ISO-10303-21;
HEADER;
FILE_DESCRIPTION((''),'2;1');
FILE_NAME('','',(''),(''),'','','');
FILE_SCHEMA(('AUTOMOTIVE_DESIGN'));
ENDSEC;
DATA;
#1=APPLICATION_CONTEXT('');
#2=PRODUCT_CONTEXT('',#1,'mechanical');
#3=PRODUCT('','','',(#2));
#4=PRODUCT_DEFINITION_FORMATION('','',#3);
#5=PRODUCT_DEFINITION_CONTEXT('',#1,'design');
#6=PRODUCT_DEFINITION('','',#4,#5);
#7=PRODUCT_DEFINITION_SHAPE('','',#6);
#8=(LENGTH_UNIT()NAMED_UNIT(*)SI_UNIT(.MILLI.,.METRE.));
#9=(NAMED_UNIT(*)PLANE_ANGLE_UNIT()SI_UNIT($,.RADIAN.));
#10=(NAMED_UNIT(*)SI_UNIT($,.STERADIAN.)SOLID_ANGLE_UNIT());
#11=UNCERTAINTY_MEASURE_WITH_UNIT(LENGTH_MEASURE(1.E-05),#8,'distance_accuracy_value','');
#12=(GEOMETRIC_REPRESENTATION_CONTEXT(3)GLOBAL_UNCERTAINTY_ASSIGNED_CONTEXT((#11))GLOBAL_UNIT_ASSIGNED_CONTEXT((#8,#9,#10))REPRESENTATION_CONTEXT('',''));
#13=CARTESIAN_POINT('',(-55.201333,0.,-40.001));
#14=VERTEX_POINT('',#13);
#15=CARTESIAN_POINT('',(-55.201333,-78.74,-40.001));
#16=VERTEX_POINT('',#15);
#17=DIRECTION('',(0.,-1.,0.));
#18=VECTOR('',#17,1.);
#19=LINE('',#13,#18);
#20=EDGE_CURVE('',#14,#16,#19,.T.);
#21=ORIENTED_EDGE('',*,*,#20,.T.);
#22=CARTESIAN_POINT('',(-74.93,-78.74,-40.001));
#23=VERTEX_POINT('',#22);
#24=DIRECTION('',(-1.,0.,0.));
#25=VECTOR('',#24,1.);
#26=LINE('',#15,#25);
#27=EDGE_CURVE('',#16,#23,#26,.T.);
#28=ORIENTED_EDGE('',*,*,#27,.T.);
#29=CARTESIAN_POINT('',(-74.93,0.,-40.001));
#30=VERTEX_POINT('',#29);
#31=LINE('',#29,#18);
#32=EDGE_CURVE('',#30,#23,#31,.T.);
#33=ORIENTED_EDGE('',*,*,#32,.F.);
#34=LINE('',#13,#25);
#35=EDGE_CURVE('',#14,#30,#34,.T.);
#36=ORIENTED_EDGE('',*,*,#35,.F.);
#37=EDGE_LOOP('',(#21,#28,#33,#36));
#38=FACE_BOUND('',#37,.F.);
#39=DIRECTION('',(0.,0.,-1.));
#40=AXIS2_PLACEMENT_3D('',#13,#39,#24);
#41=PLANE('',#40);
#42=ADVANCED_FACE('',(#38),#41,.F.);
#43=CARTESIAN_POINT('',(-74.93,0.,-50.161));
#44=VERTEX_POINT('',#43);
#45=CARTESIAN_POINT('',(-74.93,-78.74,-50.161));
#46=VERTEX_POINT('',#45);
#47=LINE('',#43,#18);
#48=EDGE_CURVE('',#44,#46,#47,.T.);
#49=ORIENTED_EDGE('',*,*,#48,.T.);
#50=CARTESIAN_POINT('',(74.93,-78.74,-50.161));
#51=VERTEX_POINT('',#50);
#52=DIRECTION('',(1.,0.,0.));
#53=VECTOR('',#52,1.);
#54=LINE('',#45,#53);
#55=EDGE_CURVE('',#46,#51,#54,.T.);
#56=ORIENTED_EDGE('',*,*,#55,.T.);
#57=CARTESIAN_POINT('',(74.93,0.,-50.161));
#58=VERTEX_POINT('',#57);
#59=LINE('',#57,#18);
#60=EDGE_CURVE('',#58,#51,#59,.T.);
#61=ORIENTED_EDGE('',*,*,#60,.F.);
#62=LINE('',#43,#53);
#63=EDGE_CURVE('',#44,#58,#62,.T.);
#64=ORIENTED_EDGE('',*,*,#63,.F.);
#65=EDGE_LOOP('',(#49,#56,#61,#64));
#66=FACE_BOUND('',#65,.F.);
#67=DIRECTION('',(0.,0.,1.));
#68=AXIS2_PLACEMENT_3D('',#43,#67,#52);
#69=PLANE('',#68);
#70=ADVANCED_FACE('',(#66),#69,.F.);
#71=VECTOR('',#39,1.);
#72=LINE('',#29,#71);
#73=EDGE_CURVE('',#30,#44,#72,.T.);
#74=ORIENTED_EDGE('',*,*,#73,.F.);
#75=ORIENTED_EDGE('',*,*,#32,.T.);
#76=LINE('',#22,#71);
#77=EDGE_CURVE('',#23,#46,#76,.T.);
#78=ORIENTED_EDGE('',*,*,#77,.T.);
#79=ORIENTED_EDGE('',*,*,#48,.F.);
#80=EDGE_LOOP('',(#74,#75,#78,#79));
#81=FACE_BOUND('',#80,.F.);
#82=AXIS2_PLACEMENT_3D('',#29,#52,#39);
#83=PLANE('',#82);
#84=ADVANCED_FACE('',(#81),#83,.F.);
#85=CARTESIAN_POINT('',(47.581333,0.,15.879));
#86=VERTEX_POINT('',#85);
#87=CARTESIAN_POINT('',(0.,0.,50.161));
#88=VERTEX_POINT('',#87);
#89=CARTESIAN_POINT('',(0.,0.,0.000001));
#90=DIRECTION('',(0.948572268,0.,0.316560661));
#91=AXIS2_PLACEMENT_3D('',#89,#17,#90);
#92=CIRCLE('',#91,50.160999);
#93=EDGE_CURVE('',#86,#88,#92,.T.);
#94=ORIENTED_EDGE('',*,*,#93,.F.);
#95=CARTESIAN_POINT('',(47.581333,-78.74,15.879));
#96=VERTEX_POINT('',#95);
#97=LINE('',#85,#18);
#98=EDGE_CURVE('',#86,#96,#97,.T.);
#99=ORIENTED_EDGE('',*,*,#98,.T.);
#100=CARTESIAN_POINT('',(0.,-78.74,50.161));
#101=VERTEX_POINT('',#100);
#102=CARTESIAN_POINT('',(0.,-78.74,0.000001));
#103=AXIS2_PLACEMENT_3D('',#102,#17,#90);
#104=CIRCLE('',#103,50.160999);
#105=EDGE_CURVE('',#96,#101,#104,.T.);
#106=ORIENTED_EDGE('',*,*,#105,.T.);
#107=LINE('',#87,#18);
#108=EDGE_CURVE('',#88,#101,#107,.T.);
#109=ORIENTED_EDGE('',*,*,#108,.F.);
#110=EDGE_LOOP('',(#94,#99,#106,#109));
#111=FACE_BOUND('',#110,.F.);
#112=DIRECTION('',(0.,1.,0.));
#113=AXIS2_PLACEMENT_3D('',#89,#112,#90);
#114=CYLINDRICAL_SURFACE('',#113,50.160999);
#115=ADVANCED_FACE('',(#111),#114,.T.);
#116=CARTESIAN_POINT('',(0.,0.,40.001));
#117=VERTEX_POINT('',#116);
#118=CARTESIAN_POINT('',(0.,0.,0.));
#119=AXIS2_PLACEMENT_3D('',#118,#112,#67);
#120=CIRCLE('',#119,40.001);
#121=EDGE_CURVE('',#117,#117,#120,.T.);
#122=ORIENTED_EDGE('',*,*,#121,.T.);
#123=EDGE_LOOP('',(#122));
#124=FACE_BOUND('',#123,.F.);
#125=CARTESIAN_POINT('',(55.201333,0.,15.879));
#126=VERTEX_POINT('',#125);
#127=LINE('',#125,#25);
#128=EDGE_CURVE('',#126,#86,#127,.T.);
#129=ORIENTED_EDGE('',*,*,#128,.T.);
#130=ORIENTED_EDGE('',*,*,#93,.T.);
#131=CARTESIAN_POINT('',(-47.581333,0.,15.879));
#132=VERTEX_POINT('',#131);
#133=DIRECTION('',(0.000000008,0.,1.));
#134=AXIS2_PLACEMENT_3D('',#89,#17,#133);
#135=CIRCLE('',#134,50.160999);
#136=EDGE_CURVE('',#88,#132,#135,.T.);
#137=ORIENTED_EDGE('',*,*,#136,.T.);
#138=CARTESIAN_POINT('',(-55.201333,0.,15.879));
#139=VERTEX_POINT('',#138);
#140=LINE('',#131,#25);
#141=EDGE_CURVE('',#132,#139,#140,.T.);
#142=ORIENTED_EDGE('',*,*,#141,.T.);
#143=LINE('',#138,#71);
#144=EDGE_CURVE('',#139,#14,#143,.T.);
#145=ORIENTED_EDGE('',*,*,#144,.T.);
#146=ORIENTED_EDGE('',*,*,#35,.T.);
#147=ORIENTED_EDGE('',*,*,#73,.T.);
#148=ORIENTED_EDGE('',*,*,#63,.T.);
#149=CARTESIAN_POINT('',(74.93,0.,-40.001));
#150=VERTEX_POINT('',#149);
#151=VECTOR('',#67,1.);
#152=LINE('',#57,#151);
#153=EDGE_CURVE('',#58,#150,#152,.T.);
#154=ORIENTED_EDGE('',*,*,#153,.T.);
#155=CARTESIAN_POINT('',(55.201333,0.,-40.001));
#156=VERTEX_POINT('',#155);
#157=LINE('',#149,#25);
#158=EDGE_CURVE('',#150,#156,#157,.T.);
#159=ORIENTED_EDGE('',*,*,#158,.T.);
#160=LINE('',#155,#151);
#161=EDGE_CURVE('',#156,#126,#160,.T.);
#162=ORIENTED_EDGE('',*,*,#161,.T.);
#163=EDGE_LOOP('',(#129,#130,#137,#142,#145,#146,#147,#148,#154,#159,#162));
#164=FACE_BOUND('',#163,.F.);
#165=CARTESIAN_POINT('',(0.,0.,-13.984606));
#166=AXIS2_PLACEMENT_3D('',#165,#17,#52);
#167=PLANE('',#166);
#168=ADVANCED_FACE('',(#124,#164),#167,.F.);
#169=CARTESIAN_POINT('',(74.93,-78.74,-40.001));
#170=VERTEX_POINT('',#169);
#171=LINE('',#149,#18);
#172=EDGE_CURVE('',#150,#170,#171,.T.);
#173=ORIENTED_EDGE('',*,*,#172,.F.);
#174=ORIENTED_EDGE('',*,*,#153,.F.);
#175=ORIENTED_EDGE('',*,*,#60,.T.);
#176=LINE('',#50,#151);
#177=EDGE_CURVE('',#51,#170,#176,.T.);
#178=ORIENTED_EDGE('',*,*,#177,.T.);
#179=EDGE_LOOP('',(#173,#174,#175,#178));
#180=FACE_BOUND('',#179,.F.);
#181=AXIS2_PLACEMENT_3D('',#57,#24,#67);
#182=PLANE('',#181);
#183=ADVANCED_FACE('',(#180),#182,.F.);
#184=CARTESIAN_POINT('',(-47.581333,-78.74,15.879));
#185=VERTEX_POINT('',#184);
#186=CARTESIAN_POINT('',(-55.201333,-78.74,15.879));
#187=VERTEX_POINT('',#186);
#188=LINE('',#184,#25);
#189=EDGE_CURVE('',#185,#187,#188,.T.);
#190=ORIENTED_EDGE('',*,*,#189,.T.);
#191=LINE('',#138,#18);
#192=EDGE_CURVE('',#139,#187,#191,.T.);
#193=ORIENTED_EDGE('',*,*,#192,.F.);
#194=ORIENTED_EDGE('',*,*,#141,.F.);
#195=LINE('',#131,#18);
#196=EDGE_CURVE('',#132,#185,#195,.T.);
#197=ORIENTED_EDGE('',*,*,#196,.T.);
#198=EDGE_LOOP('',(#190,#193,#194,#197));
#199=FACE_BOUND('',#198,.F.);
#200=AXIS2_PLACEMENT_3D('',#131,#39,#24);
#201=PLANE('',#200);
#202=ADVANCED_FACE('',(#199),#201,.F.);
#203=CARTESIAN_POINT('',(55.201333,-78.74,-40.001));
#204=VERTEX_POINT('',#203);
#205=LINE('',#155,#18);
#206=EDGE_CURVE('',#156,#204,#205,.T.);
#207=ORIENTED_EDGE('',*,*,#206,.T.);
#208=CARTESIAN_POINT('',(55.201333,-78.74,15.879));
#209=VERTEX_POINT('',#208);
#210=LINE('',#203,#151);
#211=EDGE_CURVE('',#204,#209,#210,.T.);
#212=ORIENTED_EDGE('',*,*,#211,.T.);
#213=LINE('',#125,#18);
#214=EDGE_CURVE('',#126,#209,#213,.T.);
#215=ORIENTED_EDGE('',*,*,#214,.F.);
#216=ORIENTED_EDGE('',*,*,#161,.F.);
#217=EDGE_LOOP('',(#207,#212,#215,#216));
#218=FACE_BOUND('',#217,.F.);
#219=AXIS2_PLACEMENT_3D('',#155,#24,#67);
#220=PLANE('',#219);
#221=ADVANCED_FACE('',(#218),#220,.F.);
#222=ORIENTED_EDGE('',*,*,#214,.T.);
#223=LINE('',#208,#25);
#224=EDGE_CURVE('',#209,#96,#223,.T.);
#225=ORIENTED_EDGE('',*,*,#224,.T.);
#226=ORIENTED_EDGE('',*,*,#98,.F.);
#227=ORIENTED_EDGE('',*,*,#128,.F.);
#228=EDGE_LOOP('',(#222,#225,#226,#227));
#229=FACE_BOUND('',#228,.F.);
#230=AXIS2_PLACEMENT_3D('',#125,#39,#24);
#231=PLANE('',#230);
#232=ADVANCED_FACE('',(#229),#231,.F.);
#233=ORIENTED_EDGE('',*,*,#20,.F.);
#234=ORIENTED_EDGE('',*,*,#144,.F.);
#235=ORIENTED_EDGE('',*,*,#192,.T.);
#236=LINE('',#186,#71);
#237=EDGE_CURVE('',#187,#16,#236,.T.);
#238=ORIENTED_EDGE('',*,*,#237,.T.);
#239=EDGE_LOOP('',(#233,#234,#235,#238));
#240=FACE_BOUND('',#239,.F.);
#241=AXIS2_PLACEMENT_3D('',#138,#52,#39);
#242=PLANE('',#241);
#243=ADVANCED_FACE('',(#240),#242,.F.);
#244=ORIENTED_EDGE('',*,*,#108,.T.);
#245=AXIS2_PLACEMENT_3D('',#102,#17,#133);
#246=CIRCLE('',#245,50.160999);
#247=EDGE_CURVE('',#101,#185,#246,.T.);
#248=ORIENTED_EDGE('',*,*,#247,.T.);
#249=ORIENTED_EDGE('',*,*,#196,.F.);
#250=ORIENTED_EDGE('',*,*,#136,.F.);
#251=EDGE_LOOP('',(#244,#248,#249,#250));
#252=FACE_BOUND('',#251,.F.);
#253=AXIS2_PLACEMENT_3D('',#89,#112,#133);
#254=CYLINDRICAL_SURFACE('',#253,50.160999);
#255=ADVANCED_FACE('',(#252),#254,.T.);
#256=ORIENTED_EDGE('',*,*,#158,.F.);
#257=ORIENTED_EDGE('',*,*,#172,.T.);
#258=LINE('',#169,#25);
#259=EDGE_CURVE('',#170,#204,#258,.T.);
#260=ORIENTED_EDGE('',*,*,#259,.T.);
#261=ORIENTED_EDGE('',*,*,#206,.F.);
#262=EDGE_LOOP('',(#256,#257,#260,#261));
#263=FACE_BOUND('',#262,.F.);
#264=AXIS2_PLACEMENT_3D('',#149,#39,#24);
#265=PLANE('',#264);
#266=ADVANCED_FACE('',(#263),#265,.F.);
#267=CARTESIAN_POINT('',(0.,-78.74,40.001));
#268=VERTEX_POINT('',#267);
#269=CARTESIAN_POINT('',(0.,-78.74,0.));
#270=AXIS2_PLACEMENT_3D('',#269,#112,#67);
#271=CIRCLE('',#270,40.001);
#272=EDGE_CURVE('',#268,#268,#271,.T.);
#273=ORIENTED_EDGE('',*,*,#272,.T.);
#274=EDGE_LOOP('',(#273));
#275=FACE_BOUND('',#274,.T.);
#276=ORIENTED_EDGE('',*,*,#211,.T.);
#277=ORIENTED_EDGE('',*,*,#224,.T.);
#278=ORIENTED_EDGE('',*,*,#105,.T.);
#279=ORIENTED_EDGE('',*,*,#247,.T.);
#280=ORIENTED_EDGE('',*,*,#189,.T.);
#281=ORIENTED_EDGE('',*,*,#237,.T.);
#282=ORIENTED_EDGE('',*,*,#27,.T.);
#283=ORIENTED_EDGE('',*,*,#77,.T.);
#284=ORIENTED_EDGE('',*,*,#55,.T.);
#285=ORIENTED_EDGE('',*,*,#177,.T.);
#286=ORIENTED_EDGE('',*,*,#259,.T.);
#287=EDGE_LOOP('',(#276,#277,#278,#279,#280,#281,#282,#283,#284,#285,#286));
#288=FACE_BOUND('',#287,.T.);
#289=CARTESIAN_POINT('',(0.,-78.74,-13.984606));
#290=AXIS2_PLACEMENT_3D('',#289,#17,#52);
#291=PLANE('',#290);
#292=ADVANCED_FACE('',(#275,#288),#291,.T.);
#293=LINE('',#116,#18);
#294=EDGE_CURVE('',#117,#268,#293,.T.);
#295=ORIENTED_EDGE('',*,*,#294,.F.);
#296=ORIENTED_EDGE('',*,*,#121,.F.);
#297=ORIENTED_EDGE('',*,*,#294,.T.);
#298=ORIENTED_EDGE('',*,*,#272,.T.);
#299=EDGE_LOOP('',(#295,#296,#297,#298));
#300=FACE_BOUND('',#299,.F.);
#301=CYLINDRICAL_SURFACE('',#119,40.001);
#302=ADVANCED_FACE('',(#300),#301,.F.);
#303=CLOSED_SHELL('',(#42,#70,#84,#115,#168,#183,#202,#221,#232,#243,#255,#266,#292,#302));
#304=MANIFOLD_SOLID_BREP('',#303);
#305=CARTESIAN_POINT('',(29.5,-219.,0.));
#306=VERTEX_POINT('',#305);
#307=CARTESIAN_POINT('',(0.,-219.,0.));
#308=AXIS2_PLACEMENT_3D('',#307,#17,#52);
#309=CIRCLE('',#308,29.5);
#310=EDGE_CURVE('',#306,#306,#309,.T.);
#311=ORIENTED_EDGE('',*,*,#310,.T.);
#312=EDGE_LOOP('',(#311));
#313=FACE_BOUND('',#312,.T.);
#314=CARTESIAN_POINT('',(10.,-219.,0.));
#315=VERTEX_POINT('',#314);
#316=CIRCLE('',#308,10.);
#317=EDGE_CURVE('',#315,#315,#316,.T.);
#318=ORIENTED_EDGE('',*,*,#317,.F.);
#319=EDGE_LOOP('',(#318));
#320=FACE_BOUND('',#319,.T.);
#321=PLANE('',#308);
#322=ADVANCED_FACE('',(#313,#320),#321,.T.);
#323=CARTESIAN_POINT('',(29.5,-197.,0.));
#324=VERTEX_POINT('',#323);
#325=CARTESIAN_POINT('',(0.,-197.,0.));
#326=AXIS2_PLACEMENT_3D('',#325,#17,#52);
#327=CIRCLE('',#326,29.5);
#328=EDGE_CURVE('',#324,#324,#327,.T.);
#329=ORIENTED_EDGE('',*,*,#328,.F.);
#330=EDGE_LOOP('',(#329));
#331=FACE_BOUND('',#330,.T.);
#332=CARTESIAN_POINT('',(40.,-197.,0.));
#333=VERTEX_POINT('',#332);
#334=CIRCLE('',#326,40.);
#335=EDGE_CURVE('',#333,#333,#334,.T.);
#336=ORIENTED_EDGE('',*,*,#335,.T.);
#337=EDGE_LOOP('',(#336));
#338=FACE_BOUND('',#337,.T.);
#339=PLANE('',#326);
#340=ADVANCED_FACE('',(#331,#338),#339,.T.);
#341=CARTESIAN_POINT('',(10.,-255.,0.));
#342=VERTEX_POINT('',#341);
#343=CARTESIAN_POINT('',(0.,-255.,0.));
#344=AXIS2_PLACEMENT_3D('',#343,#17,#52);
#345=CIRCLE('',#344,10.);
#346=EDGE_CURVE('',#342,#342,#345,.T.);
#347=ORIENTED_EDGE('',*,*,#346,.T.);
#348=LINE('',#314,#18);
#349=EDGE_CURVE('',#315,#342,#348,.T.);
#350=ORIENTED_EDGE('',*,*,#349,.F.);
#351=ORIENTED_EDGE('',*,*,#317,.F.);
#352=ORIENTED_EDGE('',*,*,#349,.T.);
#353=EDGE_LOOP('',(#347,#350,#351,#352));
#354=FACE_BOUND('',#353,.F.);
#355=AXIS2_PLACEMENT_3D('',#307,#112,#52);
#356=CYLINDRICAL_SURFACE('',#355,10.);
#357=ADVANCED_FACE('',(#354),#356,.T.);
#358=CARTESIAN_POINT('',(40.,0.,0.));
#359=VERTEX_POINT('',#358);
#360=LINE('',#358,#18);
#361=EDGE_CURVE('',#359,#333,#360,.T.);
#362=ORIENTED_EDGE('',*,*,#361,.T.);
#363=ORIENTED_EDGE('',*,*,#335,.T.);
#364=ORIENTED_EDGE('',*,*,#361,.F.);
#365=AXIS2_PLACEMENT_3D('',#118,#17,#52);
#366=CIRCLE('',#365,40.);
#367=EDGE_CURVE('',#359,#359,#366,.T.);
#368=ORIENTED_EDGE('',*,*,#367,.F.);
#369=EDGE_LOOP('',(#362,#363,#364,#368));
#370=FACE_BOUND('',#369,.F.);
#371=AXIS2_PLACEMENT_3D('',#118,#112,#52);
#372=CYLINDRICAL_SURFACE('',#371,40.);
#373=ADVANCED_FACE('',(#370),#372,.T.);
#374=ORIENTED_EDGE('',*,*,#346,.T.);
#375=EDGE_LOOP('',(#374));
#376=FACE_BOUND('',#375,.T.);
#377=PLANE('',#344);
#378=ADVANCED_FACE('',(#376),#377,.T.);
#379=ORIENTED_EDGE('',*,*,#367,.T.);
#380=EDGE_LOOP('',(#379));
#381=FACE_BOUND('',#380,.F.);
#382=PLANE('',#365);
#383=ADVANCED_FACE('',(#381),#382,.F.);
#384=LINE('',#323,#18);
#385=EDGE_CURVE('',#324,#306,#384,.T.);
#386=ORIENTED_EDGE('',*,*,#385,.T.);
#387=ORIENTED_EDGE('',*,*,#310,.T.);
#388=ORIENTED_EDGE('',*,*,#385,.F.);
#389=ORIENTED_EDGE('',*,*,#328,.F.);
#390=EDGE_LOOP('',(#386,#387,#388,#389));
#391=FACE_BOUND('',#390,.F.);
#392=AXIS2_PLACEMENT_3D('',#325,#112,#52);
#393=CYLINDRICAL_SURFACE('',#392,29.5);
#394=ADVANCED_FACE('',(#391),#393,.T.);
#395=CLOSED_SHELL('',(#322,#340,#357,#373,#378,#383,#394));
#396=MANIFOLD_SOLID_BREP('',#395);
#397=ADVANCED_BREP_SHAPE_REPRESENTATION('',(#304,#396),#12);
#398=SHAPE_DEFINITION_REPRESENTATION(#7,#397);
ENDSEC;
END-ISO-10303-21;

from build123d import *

# Parameters (mm, degrees)
F0_R     = 40
F1_DEPTH = 197
F2_R     = 29.5
F3_DEPTH = 22
F4_R     = 10
F5_DEPTH = 36
F7_DEPTH = 78.74


with BuildPart() as f1:
    # F0 (on Front) → F1 (new body)
    with BuildSketch(Plane.XZ):
        Circle(F0_R)
    extrude(amount=F1_DEPTH)

    # F2 (on face) → F3 (join)
    with BuildSketch(Plane.XZ.offset(197)):
        Circle(F2_R)
    extrude(amount=F3_DEPTH)

    # F4 (on face) → F5 (join)
    with BuildSketch(Plane.XZ.offset(219)):
        Circle(F4_R)
    extrude(amount=F5_DEPTH)


with BuildPart() as f7:
    # F6 (on Front) → F7 (new body)
    with BuildSketch(Plane.XZ):
        with BuildLine():
            Line((-74.93, -50.161), (0, -50.161))
            Line((0, -50.161), (74.93, -50.161))
            Line((74.93, -50.161), (74.93, -40.001))
            Line((74.93, -40.001), (55.201333, -40.001))
            Line((55.201333, -40.001), (55.201333, 15.879))
            Line((55.201333, 15.879), (47.581333, 15.879))
            ThreePointArc((47.581333, 15.879), (29.322512, 40.697865), (0, 50.161))
            ThreePointArc((0, 50.161), (-29.322512, 40.697865), (-47.581333, 15.879))
            Line((-47.581333, 15.879), (-55.201333, 15.879))
            Line((-55.201333, 15.879), (-55.201333, -40.001))
            Line((-55.201333, -40.001), (-74.93, -40.001))
            Line((-74.93, -40.001), (-74.93, -50.161))
        make_face()
        with BuildLine():
            ThreePointArc((0, -40.001), (-40.001, 0), (0, 40.001))
            ThreePointArc((0, 40.001), (40.001, 0), (0, -40.001))
        make_face(mode=Mode.SUBTRACT)
    extrude(amount=F7_DEPTH)


solid = Compound([f1.part, f7.part])
